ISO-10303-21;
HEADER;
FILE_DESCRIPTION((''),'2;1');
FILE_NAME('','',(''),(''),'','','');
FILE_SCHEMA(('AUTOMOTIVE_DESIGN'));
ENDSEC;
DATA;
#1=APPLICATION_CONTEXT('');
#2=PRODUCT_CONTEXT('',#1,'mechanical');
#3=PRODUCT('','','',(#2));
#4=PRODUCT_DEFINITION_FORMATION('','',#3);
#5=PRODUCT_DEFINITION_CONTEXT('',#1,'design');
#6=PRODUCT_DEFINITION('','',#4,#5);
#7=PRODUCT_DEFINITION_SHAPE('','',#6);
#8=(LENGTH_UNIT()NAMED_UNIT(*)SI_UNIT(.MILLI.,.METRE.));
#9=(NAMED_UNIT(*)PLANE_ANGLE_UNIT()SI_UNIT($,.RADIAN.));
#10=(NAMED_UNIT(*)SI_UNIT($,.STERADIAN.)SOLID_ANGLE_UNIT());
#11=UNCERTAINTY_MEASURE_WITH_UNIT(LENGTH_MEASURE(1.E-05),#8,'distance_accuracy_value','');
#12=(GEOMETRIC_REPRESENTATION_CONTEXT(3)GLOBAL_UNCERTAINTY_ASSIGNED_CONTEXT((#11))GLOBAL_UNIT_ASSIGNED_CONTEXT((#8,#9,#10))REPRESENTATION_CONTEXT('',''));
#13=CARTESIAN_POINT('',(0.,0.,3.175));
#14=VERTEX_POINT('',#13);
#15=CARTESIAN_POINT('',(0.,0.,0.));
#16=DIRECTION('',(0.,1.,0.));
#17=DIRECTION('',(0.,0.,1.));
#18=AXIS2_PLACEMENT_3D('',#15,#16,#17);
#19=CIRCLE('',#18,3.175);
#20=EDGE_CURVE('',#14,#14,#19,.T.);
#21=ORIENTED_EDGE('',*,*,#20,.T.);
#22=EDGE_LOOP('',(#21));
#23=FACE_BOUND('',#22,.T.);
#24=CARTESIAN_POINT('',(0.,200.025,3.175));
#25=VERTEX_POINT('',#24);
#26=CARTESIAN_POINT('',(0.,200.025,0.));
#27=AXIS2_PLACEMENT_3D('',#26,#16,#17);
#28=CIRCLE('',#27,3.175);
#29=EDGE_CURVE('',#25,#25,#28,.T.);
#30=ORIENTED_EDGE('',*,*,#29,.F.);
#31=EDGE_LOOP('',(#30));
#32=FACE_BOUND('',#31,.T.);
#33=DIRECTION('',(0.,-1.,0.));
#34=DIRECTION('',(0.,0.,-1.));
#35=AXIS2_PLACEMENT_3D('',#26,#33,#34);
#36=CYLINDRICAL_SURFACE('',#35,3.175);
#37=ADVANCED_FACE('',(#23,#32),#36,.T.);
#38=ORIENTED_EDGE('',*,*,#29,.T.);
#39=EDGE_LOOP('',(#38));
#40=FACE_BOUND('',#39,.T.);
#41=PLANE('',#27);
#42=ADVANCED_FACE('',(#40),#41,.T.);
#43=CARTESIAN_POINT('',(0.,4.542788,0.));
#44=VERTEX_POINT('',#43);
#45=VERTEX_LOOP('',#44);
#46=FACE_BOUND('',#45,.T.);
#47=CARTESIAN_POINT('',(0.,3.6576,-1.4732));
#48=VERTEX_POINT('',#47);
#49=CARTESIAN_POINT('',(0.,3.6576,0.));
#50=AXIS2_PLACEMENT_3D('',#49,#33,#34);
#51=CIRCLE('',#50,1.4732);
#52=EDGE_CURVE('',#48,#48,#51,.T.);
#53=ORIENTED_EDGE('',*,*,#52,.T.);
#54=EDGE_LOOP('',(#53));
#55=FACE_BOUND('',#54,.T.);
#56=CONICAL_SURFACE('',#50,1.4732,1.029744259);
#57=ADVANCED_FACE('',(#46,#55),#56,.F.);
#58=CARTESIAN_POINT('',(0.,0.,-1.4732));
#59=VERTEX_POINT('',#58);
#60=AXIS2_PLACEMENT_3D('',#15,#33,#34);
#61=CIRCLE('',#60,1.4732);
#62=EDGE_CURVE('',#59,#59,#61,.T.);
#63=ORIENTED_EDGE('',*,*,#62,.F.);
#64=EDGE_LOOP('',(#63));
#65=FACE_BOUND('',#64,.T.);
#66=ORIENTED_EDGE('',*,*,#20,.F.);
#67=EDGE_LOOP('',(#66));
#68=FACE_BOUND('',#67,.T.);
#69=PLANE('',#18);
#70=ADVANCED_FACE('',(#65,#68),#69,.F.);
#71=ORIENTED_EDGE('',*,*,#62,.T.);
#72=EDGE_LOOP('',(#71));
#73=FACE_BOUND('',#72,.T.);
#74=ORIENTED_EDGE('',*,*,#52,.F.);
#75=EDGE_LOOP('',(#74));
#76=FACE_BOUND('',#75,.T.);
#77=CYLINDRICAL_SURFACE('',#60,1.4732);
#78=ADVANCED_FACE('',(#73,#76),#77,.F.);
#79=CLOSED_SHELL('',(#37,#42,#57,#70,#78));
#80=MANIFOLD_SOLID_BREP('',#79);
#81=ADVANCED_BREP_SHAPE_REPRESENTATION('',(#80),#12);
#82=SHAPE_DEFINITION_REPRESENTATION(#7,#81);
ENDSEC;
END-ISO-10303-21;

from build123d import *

# Parameters (mm, degrees)
SKETCH1_R                       = 3.175
BOSS_EXTRUDE1_DEPTH             = 200.025
F_32_0_116_DIAMETER_HOLE2_D     = 2.9464
F_32_0_116_DIAMETER_HOLE2_DEPTH = 3.6576
F_32_0_116_DIAMETER_HOLE2_TIP   = 0.885187864


with BuildPart() as part:
    # Sketch1 → Boss-Extrude1 (new body)
    with BuildSketch(Plane(origin=(0, 0, 0), x_dir=(1, 0, 0), z_dir=(0, 1, 0))):
        Circle(SKETCH1_R)
    extrude(amount=BOSS_EXTRUDE1_DEPTH)

    # #32 (0.116) Diameter Hole2
    with Locations(Plane(origin=(0, 0, 0), x_dir=(-1, 0, 0), z_dir=(0, -1, 0))):
        with Locations((0, 0)):
            Hole(F_32_0_116_DIAMETER_HOLE2_D / 2, depth=F_32_0_116_DIAMETER_HOLE2_DEPTH)
            with Locations((0, 0, -(F_32_0_116_DIAMETER_HOLE2_DEPTH + F_32_0_116_DIAMETER_HOLE2_TIP / 2))):  # 118° drill point
                Cone(0, F_32_0_116_DIAMETER_HOLE2_D / 2, F_32_0_116_DIAMETER_HOLE2_TIP, mode=Mode.SUBTRACT)


solid = part.part
